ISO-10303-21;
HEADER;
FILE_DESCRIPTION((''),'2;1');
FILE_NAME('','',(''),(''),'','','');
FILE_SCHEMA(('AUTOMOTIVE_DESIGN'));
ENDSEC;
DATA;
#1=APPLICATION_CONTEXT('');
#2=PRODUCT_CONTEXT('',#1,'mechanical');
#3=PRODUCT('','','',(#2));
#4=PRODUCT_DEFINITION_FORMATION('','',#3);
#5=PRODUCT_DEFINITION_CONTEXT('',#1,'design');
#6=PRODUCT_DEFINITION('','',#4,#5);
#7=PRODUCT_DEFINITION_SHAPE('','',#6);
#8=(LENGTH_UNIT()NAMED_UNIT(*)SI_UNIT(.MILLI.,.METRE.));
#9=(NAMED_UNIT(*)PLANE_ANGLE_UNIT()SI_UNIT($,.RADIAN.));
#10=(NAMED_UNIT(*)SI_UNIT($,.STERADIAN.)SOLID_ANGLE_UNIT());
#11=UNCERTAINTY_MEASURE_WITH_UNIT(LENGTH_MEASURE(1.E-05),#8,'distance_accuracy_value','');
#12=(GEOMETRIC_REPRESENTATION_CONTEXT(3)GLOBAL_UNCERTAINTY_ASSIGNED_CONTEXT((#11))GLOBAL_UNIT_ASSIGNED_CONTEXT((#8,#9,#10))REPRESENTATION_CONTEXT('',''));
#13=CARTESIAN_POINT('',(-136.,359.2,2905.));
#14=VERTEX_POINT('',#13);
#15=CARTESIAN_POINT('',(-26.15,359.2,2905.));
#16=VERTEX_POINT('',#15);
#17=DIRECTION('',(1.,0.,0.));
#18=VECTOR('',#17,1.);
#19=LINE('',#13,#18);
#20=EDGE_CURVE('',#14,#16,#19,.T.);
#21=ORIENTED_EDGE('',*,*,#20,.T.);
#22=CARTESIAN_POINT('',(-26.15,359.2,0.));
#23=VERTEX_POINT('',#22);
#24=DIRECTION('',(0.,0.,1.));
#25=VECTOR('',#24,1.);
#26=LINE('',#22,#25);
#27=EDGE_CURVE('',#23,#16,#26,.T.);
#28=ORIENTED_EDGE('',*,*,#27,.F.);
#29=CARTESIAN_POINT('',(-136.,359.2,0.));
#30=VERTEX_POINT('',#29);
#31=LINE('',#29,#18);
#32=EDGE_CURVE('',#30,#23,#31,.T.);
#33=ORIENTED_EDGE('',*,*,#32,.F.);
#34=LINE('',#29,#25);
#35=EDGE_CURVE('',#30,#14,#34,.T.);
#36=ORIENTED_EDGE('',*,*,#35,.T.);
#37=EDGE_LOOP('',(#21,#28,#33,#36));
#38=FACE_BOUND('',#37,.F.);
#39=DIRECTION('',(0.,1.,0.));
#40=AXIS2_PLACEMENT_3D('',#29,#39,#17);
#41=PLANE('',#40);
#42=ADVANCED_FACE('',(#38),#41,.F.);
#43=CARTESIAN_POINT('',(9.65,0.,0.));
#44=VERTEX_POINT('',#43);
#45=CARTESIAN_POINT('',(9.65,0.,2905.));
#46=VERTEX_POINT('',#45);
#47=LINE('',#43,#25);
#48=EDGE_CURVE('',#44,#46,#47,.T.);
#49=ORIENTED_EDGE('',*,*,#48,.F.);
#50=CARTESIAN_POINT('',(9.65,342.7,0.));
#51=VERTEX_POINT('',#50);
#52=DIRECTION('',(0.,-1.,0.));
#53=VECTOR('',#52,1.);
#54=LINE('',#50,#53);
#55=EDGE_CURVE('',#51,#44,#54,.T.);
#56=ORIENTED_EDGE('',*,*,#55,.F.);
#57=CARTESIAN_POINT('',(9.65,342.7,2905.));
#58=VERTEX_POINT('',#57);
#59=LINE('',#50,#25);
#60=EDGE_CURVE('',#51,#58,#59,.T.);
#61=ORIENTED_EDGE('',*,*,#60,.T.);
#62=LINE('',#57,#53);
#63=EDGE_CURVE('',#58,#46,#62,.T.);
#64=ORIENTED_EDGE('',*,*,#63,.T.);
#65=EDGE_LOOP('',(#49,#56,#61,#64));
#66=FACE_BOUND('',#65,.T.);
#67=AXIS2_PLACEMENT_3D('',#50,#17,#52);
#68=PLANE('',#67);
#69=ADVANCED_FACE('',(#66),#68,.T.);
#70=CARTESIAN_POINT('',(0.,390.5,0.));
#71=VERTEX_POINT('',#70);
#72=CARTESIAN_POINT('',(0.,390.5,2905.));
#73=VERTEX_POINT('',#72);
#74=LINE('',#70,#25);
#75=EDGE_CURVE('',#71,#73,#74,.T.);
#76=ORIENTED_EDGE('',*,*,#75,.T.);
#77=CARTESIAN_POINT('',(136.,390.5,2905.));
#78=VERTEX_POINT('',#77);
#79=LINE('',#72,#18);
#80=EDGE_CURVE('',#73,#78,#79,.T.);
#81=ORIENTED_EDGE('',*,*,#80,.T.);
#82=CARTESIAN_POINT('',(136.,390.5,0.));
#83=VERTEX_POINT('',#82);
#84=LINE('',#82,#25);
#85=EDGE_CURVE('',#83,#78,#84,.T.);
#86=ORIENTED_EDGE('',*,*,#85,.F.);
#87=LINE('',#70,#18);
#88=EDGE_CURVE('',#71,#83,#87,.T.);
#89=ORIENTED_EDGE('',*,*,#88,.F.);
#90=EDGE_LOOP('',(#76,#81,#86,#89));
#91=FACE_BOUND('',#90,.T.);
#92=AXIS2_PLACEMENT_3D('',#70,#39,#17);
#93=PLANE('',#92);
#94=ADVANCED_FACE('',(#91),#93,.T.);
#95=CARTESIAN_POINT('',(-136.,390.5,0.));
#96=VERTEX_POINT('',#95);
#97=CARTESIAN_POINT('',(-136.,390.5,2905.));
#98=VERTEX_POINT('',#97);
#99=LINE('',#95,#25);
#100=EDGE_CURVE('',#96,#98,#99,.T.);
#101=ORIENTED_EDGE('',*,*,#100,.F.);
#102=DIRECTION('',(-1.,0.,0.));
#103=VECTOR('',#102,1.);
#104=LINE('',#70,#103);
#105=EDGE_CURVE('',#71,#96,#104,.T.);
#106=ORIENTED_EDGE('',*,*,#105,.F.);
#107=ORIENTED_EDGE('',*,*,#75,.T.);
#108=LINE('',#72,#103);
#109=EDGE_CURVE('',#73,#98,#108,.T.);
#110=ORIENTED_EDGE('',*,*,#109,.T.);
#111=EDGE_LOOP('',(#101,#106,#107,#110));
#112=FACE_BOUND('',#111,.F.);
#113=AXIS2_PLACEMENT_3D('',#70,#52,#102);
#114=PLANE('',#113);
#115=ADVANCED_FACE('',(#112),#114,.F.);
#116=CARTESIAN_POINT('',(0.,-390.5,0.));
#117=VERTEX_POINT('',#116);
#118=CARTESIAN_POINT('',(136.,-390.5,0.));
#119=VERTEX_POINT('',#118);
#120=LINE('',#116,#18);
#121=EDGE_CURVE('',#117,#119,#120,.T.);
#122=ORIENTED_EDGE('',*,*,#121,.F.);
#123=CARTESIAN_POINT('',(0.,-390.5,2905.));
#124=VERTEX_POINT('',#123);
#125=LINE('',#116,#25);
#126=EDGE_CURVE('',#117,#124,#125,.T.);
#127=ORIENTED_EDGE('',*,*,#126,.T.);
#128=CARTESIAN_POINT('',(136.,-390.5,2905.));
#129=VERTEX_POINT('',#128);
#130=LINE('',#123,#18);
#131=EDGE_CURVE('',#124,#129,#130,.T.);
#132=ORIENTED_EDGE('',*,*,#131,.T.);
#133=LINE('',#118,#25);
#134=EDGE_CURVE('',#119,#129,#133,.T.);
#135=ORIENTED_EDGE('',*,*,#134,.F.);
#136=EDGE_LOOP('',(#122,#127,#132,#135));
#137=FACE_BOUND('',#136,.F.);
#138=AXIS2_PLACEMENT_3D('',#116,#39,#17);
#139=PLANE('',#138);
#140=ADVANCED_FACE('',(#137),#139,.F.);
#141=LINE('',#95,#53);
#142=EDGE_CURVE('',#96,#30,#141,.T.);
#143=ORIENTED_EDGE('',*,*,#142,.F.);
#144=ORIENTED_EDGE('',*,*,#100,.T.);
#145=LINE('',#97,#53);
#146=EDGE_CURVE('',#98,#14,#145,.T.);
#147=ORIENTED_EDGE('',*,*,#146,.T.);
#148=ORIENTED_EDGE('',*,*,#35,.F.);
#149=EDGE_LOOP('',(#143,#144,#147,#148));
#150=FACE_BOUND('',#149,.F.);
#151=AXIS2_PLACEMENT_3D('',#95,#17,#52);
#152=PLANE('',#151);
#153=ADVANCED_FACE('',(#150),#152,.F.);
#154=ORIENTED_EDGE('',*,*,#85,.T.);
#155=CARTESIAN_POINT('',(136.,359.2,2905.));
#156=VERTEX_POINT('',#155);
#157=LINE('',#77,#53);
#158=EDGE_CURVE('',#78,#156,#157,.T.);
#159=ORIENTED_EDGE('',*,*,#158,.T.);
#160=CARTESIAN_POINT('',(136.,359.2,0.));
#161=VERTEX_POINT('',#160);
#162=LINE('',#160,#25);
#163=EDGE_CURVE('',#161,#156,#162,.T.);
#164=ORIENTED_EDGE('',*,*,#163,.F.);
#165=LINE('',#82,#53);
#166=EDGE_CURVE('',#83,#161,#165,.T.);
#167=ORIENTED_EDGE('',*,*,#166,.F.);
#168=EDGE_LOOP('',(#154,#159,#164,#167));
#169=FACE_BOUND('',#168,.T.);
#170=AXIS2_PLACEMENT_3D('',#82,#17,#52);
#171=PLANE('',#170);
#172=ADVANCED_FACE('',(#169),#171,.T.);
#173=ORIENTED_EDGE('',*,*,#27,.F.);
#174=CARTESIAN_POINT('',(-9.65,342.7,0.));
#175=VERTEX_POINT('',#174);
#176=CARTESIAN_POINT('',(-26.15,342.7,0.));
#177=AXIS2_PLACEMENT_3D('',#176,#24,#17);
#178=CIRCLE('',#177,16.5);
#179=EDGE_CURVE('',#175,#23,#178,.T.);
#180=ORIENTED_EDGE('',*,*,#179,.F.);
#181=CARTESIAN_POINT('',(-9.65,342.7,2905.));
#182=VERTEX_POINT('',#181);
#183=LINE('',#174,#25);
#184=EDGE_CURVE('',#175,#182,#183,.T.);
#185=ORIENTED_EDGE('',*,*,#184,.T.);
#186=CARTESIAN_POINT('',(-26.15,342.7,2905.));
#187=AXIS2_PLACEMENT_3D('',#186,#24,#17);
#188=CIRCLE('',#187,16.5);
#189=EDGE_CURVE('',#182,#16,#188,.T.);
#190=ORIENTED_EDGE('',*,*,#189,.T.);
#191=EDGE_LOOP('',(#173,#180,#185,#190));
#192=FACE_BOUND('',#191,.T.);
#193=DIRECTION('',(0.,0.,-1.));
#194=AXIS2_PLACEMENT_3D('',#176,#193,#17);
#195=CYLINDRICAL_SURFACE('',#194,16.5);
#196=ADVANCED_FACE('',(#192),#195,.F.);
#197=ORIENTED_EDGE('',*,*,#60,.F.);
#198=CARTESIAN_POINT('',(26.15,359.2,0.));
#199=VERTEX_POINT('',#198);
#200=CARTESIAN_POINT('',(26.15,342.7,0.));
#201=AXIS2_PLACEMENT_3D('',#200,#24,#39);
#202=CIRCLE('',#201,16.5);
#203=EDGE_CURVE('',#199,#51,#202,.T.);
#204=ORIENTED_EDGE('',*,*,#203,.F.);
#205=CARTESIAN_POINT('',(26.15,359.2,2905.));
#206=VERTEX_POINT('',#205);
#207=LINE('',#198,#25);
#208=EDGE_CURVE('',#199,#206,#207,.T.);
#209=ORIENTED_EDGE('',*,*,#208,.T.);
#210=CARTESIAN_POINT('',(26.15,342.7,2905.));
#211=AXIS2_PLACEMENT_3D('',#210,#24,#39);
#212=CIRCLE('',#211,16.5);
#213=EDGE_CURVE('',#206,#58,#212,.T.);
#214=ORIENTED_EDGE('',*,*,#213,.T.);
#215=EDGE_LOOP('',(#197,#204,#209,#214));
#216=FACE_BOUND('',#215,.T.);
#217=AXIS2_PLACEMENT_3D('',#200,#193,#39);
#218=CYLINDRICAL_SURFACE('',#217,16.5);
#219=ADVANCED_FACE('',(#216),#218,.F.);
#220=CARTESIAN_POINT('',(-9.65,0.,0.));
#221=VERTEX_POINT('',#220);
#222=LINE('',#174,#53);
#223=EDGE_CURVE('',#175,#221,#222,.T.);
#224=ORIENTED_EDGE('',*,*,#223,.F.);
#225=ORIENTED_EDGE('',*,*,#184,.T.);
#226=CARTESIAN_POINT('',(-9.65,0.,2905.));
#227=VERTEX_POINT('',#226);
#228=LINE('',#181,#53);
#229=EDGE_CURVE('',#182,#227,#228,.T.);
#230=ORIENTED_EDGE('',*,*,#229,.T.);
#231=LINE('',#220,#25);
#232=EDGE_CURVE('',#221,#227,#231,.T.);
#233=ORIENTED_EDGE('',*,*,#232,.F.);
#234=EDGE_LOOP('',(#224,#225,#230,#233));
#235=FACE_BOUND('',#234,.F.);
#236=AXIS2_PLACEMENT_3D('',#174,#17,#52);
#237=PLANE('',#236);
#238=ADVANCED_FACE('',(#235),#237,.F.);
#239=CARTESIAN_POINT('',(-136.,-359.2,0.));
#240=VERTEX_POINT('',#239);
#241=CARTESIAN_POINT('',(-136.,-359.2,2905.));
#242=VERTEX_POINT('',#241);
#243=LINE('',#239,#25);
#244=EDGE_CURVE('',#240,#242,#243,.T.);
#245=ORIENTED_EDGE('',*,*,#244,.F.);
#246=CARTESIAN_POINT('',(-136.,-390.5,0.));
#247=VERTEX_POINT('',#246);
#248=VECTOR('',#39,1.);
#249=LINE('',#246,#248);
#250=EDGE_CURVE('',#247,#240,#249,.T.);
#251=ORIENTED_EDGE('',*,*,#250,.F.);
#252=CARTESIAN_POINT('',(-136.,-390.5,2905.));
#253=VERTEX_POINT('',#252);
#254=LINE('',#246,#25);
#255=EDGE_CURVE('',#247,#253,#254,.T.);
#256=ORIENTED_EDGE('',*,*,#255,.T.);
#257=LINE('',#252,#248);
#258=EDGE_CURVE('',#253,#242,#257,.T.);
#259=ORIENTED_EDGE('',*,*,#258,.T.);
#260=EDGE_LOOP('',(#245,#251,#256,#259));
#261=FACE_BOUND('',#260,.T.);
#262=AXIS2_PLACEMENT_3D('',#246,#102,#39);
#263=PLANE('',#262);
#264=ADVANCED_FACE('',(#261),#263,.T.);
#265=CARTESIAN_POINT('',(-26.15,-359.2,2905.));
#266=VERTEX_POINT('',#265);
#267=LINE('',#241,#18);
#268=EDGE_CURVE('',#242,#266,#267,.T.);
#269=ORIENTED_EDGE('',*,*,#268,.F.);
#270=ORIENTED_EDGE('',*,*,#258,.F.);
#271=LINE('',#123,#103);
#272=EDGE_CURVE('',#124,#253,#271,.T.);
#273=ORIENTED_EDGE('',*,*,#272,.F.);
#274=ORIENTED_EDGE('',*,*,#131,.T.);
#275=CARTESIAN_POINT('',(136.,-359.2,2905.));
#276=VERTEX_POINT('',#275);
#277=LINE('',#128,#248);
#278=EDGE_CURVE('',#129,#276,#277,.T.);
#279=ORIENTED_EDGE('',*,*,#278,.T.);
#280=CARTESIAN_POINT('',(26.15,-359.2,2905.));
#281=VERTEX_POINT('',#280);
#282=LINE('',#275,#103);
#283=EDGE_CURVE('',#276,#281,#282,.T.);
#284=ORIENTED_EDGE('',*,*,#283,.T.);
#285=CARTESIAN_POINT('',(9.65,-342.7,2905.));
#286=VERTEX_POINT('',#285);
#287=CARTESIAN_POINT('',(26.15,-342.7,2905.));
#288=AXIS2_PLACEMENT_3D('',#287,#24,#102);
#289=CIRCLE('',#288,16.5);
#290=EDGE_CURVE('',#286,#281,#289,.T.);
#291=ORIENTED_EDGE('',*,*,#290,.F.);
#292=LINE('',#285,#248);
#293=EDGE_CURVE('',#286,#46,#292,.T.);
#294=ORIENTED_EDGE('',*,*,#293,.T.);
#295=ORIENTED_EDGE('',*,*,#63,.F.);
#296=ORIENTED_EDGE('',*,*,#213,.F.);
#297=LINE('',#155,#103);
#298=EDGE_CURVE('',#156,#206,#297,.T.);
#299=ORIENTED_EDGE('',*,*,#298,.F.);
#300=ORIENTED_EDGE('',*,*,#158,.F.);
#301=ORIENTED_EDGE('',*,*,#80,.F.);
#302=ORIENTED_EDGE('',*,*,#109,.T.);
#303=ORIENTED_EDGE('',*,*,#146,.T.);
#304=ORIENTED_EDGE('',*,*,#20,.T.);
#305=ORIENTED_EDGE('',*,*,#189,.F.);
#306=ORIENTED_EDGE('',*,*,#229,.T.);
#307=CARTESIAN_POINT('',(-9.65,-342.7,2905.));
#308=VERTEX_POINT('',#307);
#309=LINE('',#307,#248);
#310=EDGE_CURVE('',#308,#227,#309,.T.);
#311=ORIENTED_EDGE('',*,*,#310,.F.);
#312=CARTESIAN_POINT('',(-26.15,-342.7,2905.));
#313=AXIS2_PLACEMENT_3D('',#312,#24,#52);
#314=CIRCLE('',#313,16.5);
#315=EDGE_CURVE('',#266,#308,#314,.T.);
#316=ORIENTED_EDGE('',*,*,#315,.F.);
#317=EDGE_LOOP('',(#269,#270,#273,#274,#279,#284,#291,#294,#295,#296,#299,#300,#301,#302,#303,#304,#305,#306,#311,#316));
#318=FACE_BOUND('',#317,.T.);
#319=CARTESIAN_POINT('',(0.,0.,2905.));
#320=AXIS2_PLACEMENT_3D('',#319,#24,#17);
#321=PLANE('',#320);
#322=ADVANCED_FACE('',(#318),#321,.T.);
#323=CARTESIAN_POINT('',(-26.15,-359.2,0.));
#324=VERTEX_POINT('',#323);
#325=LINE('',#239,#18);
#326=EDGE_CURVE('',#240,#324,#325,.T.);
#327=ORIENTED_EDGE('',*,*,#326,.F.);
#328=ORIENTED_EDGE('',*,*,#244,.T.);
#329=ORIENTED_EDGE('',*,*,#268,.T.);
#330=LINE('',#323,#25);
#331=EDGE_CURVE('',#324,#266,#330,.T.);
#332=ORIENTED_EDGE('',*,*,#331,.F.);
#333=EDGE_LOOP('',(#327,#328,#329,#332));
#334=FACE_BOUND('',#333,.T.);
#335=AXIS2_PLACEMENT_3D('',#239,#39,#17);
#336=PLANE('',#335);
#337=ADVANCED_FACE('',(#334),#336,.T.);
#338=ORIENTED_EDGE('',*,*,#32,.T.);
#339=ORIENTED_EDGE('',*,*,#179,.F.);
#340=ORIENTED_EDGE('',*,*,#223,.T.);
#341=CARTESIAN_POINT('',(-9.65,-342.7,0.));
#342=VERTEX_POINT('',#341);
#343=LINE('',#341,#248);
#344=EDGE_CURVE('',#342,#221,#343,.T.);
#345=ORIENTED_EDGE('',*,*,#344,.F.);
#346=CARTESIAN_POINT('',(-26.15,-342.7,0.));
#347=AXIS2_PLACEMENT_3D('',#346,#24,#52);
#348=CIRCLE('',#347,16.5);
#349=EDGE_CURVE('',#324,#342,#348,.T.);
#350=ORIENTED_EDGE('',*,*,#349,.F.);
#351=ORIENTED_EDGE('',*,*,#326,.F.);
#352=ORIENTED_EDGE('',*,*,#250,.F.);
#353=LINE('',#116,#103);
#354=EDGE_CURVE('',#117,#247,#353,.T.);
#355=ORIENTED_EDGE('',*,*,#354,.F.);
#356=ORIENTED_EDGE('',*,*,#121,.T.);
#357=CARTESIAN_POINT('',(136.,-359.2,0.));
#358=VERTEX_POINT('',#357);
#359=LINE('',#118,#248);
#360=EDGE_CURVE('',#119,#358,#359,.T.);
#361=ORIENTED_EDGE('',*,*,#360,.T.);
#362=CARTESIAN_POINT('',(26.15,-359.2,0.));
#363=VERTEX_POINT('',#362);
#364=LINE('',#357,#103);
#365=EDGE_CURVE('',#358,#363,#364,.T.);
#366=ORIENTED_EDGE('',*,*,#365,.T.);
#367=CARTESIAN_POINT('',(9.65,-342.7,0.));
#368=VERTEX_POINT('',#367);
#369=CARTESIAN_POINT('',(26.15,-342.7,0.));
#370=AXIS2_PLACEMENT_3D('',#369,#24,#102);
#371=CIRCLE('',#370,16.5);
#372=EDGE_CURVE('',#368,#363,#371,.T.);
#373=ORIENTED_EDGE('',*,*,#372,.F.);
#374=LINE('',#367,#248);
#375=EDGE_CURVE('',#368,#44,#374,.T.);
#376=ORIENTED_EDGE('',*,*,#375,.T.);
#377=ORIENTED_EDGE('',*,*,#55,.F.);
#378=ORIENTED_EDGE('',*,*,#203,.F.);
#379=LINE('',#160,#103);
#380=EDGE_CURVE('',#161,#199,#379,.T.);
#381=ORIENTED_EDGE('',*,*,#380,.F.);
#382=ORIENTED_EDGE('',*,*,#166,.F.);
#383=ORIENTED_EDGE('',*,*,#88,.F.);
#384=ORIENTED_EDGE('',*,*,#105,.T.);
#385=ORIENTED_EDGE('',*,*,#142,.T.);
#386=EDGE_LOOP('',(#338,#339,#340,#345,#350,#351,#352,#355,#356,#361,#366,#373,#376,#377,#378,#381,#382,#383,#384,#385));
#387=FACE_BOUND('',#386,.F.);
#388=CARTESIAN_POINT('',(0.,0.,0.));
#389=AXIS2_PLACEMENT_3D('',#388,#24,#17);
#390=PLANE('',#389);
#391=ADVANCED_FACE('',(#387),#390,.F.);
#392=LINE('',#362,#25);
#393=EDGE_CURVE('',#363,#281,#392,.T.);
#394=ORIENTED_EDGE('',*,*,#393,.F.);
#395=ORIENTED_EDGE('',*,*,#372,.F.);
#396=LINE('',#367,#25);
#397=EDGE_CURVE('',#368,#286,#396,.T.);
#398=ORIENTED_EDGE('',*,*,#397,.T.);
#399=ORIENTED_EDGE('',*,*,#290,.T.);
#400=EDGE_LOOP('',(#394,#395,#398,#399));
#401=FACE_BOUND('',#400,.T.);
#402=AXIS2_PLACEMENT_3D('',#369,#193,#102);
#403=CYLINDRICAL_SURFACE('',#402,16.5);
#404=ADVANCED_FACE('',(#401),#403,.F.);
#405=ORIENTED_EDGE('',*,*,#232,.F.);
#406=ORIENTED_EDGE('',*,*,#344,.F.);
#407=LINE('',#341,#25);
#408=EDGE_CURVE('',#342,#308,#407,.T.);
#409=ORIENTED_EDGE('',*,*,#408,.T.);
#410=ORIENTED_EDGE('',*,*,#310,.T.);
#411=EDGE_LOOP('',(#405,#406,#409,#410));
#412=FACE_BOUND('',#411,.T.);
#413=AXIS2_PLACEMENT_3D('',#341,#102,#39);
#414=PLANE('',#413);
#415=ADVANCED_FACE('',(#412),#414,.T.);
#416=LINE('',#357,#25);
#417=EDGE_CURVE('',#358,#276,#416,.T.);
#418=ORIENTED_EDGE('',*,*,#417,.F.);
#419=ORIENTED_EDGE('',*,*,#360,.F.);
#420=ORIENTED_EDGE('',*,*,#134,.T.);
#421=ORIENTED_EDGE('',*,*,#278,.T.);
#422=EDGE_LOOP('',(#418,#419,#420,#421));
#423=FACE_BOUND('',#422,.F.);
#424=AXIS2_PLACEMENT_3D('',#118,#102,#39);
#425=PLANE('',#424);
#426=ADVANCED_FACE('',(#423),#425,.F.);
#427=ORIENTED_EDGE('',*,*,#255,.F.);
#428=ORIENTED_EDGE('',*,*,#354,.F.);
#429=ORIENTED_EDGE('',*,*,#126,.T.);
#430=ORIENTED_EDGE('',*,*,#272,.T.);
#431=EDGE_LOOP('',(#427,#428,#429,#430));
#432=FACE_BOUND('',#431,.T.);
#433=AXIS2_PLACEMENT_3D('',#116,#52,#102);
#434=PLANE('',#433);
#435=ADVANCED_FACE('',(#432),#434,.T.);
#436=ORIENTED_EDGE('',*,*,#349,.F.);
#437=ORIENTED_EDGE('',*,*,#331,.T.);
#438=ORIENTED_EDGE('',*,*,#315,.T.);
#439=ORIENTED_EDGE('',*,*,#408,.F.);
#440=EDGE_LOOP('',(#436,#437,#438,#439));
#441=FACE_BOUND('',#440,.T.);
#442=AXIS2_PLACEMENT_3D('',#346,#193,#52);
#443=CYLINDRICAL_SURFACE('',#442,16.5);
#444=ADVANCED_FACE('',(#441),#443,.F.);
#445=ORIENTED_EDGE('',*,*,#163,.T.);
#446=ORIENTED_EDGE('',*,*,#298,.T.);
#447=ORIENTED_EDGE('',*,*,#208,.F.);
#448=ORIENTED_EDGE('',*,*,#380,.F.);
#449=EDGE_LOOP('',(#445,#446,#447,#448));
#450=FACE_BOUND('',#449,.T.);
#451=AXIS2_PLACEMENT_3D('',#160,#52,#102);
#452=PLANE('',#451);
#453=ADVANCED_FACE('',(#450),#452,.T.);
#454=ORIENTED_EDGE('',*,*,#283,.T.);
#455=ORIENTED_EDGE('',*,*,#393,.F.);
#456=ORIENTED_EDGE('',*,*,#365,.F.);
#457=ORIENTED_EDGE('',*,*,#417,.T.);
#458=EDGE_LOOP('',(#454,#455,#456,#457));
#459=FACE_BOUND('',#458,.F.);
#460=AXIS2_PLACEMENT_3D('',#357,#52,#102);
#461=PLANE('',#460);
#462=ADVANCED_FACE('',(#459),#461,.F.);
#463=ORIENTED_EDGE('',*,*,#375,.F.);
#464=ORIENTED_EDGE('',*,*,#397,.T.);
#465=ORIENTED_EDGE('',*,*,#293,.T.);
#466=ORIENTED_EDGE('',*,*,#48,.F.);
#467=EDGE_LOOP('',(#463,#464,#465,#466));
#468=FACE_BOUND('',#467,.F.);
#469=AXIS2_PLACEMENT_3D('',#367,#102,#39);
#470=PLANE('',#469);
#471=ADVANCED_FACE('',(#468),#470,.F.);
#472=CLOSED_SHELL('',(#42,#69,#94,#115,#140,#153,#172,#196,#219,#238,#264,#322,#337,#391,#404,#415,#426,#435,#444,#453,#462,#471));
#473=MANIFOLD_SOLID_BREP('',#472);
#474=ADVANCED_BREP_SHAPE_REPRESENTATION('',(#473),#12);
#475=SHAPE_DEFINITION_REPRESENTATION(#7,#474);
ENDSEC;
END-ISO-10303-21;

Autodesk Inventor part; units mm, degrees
ref_plane "YZ Plane" through (0, 0, 0) normal (1, 0, 0) x (0, 1, 0)
ref_plane "Start plane" through (0, 0, 0) normal (0, 0, 1) x (1, 0, 0)
ref_plane "End plane" through (0, 0, 2905) normal (0, 0, 1) x (1, 0, 0)
sketch "Sketch" plane through (0, 0, 0) normal (0, 0, 1) x (1, 0, 0)
  line L0 (-136, -390.5) -> (-136, -359.2)
  line L1 (-136, -359.2) -> (-26.15, -359.2)
  line L2 (-9.65, -342.7) -> (-9.65, 0)
  line L3 (-9.65, 0) -> (0, 0) construction
  line L4 (0, 0) -> (0, -390.5) construction
  line L5 (0, -390.5) -> (-136, -390.5)
  line L6 (-60, 0) -> (80, 0) construction
  line L7 (0, -60) -> (0, 80) construction
  line L8 (136, -390.5) -> (136, -359.2)
  line L9 (136, -359.2) -> (26.15, -359.2)
  line L10 (9.65, -342.7) -> (9.65, 0)
  line L11 (9.65, 0) -> (0, 0) construction
  line L12 (0, -390.5) -> (136, -390.5)
  line L13 (-136, 390.5) -> (-136, 359.2)
  line L14 (-136, 359.2) -> (-26.15, 359.2)
  line L15 (-9.65, 342.7) -> (-9.65, 0)
  line L16 (0, 390.5) -> (-136, 390.5)
  line L17 (136, 390.5) -> (136, 359.2)
  line L18 (136, 359.2) -> (26.15, 359.2)
  line L19 (0, 390.5) -> (136, 390.5)
  line L20 (9.65, 342.7) -> (9.65, 0)
  arc A0 (-9.65, 342.7) -> (-26.15, 359.2) centre (-26.15, 342.7) ccw
  arc A1 (26.15, 359.2) -> (9.65, 342.7) centre (26.15, 342.7) ccw
  arc A2 (9.65, -342.7) -> (26.15, -359.2) centre (26.15, -342.7) ccw
  arc A3 (-26.15, -359.2) -> (-9.65, -342.7) centre (-26.15, -342.7) ccw
  line L21 (0, 108) -> (0, -88) construction
  line L22 (-88, 0) -> (108, 0) construction
  point P0 (-9.65, -359.2)
  point P1 (9.65, -359.2)
  point P2 (-9.65, 359.2)
  point P3 (9.65, 359.2)
  dimension "d1" = 390.5
  dimension "d2" = 31.3
  dimension "d3" = 136
  dimension "d4" = 9.65
  dimension "d10" = 16.5
extrude "Body" add sketch "Sketch" along normal up to surface (2905 mm away) from surface at 0
sketch "Sketch4" plane through (0, 0, 0) normal (0, 0, 1) x (1, 0, 0)
  line L0 (0, 0) -> (10, 0)
ref_plane "Work Plane3" through (0, 0, 0) normal (0, -1, 0) x (1, 0, 0)
sketch "Sketch5" plane through (0, 0, 0) normal (0, -1, 0) x (1, 0, 0)
  line L0 (-2, 0) -> (12, 0) projected
  line L1 (-2, 2905) -> (12, 2905) projected
  dimension "d14" = 2905
equation "\"d1\" = 0.5 * G_H"
equation "\"d2\" = G_T1"
equation "\"d3\" = 0.5 * G_W"
equation "\"d4\" = 0.5 * G_T"
equation "\"d10\" = G_IR"
equation "\"d5\" = G_L"
equation "\"G_W\" = 272"
equation "\"G_H\" = 781"
equation "\"G_T\" = 19.3"
equation "\"G_T1\" = 31.3"
equation "\"G_IR\" = 16.5"
equation "\"G_L\" = d14"
equation "\"G_OFFSET_START\" = 0"
equation "\"G_OFFSET_END\" = 0"
equation "\"d12\" = G_OFFSET_END + B_L"
equation "\"B_L\" = 2905"
properties part number "AS 3679-1990 - 760 UB - 244 - 2905" material "Steel, Mild"
